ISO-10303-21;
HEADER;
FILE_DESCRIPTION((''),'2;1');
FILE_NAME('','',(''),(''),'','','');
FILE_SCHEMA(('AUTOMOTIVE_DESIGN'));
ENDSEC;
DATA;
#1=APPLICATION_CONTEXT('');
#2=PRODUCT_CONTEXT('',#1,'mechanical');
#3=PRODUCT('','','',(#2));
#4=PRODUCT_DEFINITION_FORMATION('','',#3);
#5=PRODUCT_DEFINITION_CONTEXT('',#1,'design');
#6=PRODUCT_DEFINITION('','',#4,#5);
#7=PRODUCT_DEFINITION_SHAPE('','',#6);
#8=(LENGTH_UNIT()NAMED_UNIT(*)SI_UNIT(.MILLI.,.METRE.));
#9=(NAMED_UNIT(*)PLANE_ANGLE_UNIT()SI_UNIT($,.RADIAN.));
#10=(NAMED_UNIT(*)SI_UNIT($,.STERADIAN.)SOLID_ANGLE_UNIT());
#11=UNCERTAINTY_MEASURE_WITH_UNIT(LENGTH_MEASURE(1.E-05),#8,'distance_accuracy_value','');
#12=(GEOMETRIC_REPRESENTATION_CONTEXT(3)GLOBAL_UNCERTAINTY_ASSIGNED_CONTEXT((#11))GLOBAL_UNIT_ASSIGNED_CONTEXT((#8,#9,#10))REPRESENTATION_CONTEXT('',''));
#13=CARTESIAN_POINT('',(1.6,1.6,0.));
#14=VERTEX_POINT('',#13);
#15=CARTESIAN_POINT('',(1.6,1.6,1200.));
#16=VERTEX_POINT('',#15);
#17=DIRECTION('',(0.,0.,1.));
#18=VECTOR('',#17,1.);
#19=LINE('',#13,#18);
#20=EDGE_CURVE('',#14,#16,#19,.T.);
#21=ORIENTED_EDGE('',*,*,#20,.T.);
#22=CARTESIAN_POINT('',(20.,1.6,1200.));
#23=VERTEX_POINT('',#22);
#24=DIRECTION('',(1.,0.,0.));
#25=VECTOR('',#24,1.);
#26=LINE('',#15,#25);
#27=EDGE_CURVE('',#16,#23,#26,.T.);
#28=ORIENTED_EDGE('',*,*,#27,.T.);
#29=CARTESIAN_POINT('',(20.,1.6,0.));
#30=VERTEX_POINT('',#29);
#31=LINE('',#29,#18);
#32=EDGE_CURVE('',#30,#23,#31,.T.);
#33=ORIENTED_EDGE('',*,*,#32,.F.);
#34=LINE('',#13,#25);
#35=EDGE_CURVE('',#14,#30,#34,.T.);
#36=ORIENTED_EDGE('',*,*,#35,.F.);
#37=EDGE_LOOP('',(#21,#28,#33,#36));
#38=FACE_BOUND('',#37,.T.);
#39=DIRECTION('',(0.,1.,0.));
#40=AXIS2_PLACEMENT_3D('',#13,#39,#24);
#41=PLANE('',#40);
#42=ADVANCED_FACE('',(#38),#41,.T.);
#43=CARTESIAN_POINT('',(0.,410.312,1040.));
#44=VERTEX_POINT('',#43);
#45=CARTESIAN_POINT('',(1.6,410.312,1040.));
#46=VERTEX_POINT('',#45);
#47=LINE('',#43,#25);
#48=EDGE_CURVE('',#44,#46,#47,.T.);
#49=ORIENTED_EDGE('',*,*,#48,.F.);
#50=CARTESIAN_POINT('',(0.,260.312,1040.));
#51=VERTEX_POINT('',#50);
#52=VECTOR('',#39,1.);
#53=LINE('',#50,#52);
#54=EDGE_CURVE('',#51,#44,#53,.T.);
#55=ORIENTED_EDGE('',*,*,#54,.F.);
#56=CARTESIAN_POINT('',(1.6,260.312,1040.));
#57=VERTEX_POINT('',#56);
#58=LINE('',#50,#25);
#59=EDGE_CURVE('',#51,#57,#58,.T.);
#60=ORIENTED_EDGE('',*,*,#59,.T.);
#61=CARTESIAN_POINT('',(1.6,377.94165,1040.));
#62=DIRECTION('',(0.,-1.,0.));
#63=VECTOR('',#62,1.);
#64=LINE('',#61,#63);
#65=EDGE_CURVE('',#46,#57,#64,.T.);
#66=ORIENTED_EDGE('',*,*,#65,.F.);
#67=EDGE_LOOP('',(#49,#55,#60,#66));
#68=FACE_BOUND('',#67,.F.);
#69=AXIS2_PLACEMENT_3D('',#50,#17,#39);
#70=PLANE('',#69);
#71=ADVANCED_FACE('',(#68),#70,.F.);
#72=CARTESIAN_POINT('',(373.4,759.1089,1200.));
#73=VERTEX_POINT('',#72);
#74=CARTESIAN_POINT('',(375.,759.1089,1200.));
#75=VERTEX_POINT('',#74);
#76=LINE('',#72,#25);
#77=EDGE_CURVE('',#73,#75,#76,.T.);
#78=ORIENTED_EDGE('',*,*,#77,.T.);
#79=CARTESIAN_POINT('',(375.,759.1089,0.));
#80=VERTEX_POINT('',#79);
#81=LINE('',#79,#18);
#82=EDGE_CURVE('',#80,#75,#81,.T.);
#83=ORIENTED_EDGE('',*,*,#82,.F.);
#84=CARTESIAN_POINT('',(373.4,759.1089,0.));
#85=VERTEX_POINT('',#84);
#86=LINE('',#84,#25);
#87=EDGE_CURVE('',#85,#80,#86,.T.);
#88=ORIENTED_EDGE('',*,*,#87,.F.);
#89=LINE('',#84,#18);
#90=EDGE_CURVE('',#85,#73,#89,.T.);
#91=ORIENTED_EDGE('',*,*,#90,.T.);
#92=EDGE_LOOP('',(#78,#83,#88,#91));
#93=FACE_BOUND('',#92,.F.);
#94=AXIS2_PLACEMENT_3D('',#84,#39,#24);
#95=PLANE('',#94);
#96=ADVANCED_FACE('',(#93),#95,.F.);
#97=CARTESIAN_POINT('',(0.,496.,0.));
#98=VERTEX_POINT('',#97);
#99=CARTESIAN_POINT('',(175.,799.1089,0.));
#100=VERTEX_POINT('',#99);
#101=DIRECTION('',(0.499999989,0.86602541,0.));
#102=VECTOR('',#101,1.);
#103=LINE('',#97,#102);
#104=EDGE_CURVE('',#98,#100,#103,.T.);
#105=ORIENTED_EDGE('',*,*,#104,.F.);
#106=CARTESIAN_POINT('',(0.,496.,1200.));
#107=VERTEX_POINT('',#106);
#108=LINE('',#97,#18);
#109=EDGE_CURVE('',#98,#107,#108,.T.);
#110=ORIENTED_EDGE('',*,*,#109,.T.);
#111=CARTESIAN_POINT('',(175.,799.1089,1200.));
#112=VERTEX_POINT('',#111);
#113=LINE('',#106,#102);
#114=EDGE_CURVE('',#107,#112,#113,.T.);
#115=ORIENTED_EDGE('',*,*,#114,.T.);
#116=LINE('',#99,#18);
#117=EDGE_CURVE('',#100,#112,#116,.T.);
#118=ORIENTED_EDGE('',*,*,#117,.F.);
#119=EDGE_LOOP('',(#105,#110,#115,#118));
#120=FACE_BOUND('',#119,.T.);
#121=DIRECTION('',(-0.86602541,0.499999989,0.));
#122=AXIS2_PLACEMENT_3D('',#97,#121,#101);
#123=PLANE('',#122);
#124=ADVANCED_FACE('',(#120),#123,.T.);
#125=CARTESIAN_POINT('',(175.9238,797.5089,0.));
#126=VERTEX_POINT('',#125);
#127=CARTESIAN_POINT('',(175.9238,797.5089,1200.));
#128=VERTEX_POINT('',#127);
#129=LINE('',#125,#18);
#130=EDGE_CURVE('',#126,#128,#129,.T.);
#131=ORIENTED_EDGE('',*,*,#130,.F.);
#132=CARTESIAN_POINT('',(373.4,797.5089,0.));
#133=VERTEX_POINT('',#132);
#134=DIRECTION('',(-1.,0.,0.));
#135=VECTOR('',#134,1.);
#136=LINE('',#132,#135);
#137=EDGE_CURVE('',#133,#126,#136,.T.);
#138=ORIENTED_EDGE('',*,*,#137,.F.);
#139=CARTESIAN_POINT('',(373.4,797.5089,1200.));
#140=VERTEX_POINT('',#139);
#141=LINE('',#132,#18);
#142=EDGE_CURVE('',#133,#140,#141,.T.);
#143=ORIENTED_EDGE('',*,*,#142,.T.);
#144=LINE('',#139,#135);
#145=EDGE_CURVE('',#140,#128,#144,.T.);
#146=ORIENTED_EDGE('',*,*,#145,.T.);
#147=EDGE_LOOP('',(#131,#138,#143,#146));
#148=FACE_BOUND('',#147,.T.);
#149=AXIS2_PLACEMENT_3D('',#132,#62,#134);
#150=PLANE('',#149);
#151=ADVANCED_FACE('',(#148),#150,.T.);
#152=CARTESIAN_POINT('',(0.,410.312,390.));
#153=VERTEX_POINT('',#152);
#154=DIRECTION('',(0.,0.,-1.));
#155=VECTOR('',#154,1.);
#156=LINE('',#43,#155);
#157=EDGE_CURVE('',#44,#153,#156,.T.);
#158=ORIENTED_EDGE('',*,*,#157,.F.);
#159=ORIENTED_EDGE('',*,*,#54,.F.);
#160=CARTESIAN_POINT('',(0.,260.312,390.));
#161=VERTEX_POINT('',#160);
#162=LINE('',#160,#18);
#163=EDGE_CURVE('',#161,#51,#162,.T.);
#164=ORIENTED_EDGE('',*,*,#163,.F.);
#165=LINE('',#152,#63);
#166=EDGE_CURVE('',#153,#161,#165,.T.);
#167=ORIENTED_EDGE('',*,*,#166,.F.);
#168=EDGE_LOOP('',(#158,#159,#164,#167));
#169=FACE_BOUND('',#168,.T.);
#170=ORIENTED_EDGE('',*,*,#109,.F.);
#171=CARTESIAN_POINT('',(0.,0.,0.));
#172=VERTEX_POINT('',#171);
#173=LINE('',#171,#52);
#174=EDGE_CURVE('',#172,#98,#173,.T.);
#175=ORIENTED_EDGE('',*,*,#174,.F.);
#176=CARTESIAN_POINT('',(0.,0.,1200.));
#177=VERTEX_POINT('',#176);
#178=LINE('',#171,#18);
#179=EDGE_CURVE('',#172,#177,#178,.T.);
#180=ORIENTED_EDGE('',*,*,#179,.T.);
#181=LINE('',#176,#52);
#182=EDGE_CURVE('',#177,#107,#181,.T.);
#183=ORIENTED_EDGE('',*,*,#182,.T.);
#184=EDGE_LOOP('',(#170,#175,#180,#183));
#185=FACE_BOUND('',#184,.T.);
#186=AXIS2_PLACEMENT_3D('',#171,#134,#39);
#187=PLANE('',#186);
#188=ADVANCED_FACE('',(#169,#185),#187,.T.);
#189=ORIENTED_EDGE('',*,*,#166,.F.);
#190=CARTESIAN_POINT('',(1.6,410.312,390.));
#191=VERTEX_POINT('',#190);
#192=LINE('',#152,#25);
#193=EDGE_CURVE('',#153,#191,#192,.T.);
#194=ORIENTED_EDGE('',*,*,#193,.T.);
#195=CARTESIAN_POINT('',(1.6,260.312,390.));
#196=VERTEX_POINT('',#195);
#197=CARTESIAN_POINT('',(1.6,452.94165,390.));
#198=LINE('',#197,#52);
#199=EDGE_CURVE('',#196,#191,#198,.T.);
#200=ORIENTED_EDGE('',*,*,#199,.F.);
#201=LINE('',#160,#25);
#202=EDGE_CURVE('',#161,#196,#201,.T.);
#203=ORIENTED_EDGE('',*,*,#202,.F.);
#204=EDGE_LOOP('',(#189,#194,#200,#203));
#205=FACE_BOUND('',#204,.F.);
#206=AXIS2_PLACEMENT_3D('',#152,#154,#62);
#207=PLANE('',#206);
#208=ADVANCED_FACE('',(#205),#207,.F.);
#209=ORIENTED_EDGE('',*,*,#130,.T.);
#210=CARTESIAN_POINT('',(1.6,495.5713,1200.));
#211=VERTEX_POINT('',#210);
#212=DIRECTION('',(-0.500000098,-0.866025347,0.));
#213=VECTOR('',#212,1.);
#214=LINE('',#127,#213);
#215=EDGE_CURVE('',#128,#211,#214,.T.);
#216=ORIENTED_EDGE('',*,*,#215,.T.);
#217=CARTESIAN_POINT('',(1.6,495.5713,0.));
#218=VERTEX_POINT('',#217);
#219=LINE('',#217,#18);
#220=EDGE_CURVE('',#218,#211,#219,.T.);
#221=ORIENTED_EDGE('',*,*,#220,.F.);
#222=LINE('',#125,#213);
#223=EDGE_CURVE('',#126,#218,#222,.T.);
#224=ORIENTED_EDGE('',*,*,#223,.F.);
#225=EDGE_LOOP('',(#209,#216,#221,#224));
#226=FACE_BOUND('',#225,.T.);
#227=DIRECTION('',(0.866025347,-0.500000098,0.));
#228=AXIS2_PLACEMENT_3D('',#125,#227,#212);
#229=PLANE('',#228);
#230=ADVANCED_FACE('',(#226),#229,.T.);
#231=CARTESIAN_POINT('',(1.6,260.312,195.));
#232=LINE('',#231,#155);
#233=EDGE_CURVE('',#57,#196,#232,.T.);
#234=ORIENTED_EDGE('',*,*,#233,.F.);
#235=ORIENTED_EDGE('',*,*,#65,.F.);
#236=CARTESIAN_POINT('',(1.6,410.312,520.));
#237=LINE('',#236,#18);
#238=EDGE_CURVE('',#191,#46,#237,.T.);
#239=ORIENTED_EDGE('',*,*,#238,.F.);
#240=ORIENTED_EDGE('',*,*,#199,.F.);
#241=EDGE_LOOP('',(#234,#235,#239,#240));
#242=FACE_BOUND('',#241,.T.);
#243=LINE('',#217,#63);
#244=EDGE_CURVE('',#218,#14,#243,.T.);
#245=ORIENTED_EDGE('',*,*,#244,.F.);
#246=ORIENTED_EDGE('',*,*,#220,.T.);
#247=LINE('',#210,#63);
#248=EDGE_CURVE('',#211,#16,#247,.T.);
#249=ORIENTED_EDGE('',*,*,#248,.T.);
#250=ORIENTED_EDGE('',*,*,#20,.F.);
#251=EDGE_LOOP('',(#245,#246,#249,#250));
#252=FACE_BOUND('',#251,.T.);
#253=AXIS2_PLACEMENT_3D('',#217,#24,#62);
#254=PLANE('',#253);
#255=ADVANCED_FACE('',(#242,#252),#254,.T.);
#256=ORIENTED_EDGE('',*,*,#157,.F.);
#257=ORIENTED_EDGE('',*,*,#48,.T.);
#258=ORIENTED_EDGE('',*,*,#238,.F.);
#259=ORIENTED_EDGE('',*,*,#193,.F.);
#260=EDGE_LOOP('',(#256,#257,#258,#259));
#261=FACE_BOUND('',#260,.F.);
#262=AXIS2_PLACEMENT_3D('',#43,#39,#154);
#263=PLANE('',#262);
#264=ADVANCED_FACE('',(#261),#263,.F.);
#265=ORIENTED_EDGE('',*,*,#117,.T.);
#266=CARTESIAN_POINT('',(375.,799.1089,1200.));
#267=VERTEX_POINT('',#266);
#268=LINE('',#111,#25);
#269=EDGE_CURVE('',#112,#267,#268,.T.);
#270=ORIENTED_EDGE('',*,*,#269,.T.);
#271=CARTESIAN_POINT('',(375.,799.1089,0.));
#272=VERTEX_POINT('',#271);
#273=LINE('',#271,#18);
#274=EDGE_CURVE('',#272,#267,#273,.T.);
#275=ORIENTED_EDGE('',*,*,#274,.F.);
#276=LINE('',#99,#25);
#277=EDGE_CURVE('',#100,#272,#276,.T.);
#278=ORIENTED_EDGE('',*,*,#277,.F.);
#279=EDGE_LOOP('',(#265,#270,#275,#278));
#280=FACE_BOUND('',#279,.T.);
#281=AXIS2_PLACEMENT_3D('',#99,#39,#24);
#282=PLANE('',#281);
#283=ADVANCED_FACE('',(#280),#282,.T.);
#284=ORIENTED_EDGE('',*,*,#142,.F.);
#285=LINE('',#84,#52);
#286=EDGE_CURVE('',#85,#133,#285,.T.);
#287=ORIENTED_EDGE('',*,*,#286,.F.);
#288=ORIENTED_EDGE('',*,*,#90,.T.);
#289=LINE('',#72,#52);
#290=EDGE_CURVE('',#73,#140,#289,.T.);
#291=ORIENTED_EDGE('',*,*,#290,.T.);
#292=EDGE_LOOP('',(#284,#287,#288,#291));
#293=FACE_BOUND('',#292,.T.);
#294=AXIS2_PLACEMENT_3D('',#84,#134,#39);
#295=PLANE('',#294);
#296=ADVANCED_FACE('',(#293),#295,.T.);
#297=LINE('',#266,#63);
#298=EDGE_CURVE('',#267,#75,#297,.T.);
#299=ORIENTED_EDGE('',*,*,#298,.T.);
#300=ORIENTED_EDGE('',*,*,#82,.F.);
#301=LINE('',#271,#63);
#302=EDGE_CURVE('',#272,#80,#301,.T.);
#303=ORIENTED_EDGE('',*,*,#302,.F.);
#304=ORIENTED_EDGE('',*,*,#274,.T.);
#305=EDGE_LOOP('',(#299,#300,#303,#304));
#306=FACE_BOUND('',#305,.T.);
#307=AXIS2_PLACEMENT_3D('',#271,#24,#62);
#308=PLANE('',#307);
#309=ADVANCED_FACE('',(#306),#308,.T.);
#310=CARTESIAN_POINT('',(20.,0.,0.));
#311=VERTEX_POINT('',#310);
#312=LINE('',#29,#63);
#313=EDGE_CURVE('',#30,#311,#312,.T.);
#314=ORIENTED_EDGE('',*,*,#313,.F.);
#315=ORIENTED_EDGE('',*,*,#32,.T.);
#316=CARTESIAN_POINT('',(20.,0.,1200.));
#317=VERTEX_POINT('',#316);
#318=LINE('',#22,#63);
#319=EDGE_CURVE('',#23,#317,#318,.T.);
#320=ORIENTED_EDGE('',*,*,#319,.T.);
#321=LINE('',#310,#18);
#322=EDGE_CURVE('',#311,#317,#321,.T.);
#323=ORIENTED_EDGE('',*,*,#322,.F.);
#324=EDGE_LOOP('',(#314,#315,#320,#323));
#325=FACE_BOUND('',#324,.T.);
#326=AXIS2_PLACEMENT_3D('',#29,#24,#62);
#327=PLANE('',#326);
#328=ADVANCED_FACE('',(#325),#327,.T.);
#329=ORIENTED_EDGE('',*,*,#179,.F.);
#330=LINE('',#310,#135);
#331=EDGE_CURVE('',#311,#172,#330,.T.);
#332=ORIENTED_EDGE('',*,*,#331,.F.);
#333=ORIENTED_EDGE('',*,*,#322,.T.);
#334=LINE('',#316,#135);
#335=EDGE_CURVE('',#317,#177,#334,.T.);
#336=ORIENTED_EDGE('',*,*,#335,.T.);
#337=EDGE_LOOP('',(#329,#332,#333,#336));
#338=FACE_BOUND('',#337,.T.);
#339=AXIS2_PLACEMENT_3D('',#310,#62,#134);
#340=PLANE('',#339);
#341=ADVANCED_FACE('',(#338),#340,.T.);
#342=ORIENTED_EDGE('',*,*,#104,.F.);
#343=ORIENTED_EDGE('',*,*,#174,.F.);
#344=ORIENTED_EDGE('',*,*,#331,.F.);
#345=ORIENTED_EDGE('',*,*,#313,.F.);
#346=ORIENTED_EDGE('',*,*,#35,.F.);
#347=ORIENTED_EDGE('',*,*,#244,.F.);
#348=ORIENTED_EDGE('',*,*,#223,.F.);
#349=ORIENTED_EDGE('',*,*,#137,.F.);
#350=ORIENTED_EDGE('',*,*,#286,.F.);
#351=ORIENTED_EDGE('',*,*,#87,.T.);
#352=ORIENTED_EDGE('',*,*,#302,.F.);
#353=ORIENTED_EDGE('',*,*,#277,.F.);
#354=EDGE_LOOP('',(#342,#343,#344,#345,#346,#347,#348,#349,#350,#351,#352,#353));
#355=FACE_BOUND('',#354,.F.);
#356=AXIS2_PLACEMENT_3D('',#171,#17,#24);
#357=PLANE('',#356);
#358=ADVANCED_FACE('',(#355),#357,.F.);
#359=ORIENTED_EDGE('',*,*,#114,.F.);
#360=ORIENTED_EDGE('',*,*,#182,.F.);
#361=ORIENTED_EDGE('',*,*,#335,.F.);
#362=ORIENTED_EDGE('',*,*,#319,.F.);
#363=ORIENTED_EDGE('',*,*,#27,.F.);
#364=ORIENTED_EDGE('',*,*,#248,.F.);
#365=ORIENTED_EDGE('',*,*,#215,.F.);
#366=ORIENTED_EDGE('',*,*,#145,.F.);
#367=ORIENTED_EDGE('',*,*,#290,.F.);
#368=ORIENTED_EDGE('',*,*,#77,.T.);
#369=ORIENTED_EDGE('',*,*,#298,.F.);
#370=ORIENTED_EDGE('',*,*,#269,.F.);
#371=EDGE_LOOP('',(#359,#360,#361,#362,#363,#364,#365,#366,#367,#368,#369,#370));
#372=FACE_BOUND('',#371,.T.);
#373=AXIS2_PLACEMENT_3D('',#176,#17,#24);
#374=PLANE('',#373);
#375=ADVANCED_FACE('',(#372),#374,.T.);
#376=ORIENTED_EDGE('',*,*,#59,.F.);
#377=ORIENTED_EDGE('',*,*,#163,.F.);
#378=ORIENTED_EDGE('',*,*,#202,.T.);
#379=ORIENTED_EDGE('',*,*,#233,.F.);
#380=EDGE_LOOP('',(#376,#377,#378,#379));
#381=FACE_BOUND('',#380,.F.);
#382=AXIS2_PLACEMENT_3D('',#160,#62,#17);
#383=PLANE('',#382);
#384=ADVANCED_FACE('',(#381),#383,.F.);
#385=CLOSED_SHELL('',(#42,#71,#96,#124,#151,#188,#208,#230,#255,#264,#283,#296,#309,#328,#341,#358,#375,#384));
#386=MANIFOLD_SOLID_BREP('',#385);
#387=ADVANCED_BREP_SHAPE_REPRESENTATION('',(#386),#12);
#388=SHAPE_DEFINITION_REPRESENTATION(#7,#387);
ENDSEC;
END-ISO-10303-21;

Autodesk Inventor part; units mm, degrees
ref_plane "YZ Plane" through (0, 0, 0) normal (1, 0, 0) x (0, 1, 0)
ref_plane "XZ Plane" through (0, 0, 0) normal (0, 1, 0) x (-1, 0, 0)
sketch "Sketch1" plane through (0, 0, 0) normal (0, 0, 1) x (1, 0, 0)
  line L0 (20, 0) -> (0, 0)
  line L1 (0, 0) -> (0, 496)
  line L2 (0, 496) -> (175, 799.1089)
  line L3 (175, 799.1089) -> (375, 799.1089)
  line L4 (375, 799.1089) -> (375, 759.1089)
  line L5 (373.4, 759.1089) -> (373.4, 797.5089)
  line L6 (373.4, 797.5089) -> (175.9238, 797.5089)
  line L7 (175.9238, 797.5089) -> (1.6, 495.5713)
  line L8 (1.6, 495.5713) -> (1.6, 1.6)
  line L9 (1.6, 1.6) -> (20, 1.6)
  line L10 (20, 1.6) -> (20, 0)
  line L11 (373.4, 759.1089) -> (375, 759.1089)
  dimension "d0" = 150
  dimension "d1" = 496
  dimension "d2" = 350
  dimension "d3" = 200
  dimension "d4" = 20
  dimension "d5" = 40
  dimension "d6" = 1.6
extrude "main" add sketch "Sketch1" along normal blind 1200
ref_plane "Work Plane1" through (0.8, 0, 0) normal (-1, 0, 0) x (0, 0, 1)
sketch "Sketch6" plane through (0, 0, 0) normal (-1, 0, 0) x (0, 0, 1)
  line L0 (0, 0) -> (1200, 0) projected
  line L1 (1200, 0) -> (774.534, 0)
  line L2 (1040, 410.312) -> (390, 410.312)
  line L3 (390, 410.312) -> (390, 260.312)
  line L4 (390, 260.312) -> (1040, 260.312)
  line L5 (1040, 260.312) -> (1040, 410.312)
  line L6 (0, 1.6) -> (1200, 1.6) projected
  line L7 (1200, 1.6) -> (1200, 495.5713) projected
  dimension "d27" = 650
  dimension "d28" = 258.712
  dimension "d29" = 160
extrude "Extrusion4" cut sketch "Sketch6" against normal blind 25.5
properties part number "back plate" material "Steel"
